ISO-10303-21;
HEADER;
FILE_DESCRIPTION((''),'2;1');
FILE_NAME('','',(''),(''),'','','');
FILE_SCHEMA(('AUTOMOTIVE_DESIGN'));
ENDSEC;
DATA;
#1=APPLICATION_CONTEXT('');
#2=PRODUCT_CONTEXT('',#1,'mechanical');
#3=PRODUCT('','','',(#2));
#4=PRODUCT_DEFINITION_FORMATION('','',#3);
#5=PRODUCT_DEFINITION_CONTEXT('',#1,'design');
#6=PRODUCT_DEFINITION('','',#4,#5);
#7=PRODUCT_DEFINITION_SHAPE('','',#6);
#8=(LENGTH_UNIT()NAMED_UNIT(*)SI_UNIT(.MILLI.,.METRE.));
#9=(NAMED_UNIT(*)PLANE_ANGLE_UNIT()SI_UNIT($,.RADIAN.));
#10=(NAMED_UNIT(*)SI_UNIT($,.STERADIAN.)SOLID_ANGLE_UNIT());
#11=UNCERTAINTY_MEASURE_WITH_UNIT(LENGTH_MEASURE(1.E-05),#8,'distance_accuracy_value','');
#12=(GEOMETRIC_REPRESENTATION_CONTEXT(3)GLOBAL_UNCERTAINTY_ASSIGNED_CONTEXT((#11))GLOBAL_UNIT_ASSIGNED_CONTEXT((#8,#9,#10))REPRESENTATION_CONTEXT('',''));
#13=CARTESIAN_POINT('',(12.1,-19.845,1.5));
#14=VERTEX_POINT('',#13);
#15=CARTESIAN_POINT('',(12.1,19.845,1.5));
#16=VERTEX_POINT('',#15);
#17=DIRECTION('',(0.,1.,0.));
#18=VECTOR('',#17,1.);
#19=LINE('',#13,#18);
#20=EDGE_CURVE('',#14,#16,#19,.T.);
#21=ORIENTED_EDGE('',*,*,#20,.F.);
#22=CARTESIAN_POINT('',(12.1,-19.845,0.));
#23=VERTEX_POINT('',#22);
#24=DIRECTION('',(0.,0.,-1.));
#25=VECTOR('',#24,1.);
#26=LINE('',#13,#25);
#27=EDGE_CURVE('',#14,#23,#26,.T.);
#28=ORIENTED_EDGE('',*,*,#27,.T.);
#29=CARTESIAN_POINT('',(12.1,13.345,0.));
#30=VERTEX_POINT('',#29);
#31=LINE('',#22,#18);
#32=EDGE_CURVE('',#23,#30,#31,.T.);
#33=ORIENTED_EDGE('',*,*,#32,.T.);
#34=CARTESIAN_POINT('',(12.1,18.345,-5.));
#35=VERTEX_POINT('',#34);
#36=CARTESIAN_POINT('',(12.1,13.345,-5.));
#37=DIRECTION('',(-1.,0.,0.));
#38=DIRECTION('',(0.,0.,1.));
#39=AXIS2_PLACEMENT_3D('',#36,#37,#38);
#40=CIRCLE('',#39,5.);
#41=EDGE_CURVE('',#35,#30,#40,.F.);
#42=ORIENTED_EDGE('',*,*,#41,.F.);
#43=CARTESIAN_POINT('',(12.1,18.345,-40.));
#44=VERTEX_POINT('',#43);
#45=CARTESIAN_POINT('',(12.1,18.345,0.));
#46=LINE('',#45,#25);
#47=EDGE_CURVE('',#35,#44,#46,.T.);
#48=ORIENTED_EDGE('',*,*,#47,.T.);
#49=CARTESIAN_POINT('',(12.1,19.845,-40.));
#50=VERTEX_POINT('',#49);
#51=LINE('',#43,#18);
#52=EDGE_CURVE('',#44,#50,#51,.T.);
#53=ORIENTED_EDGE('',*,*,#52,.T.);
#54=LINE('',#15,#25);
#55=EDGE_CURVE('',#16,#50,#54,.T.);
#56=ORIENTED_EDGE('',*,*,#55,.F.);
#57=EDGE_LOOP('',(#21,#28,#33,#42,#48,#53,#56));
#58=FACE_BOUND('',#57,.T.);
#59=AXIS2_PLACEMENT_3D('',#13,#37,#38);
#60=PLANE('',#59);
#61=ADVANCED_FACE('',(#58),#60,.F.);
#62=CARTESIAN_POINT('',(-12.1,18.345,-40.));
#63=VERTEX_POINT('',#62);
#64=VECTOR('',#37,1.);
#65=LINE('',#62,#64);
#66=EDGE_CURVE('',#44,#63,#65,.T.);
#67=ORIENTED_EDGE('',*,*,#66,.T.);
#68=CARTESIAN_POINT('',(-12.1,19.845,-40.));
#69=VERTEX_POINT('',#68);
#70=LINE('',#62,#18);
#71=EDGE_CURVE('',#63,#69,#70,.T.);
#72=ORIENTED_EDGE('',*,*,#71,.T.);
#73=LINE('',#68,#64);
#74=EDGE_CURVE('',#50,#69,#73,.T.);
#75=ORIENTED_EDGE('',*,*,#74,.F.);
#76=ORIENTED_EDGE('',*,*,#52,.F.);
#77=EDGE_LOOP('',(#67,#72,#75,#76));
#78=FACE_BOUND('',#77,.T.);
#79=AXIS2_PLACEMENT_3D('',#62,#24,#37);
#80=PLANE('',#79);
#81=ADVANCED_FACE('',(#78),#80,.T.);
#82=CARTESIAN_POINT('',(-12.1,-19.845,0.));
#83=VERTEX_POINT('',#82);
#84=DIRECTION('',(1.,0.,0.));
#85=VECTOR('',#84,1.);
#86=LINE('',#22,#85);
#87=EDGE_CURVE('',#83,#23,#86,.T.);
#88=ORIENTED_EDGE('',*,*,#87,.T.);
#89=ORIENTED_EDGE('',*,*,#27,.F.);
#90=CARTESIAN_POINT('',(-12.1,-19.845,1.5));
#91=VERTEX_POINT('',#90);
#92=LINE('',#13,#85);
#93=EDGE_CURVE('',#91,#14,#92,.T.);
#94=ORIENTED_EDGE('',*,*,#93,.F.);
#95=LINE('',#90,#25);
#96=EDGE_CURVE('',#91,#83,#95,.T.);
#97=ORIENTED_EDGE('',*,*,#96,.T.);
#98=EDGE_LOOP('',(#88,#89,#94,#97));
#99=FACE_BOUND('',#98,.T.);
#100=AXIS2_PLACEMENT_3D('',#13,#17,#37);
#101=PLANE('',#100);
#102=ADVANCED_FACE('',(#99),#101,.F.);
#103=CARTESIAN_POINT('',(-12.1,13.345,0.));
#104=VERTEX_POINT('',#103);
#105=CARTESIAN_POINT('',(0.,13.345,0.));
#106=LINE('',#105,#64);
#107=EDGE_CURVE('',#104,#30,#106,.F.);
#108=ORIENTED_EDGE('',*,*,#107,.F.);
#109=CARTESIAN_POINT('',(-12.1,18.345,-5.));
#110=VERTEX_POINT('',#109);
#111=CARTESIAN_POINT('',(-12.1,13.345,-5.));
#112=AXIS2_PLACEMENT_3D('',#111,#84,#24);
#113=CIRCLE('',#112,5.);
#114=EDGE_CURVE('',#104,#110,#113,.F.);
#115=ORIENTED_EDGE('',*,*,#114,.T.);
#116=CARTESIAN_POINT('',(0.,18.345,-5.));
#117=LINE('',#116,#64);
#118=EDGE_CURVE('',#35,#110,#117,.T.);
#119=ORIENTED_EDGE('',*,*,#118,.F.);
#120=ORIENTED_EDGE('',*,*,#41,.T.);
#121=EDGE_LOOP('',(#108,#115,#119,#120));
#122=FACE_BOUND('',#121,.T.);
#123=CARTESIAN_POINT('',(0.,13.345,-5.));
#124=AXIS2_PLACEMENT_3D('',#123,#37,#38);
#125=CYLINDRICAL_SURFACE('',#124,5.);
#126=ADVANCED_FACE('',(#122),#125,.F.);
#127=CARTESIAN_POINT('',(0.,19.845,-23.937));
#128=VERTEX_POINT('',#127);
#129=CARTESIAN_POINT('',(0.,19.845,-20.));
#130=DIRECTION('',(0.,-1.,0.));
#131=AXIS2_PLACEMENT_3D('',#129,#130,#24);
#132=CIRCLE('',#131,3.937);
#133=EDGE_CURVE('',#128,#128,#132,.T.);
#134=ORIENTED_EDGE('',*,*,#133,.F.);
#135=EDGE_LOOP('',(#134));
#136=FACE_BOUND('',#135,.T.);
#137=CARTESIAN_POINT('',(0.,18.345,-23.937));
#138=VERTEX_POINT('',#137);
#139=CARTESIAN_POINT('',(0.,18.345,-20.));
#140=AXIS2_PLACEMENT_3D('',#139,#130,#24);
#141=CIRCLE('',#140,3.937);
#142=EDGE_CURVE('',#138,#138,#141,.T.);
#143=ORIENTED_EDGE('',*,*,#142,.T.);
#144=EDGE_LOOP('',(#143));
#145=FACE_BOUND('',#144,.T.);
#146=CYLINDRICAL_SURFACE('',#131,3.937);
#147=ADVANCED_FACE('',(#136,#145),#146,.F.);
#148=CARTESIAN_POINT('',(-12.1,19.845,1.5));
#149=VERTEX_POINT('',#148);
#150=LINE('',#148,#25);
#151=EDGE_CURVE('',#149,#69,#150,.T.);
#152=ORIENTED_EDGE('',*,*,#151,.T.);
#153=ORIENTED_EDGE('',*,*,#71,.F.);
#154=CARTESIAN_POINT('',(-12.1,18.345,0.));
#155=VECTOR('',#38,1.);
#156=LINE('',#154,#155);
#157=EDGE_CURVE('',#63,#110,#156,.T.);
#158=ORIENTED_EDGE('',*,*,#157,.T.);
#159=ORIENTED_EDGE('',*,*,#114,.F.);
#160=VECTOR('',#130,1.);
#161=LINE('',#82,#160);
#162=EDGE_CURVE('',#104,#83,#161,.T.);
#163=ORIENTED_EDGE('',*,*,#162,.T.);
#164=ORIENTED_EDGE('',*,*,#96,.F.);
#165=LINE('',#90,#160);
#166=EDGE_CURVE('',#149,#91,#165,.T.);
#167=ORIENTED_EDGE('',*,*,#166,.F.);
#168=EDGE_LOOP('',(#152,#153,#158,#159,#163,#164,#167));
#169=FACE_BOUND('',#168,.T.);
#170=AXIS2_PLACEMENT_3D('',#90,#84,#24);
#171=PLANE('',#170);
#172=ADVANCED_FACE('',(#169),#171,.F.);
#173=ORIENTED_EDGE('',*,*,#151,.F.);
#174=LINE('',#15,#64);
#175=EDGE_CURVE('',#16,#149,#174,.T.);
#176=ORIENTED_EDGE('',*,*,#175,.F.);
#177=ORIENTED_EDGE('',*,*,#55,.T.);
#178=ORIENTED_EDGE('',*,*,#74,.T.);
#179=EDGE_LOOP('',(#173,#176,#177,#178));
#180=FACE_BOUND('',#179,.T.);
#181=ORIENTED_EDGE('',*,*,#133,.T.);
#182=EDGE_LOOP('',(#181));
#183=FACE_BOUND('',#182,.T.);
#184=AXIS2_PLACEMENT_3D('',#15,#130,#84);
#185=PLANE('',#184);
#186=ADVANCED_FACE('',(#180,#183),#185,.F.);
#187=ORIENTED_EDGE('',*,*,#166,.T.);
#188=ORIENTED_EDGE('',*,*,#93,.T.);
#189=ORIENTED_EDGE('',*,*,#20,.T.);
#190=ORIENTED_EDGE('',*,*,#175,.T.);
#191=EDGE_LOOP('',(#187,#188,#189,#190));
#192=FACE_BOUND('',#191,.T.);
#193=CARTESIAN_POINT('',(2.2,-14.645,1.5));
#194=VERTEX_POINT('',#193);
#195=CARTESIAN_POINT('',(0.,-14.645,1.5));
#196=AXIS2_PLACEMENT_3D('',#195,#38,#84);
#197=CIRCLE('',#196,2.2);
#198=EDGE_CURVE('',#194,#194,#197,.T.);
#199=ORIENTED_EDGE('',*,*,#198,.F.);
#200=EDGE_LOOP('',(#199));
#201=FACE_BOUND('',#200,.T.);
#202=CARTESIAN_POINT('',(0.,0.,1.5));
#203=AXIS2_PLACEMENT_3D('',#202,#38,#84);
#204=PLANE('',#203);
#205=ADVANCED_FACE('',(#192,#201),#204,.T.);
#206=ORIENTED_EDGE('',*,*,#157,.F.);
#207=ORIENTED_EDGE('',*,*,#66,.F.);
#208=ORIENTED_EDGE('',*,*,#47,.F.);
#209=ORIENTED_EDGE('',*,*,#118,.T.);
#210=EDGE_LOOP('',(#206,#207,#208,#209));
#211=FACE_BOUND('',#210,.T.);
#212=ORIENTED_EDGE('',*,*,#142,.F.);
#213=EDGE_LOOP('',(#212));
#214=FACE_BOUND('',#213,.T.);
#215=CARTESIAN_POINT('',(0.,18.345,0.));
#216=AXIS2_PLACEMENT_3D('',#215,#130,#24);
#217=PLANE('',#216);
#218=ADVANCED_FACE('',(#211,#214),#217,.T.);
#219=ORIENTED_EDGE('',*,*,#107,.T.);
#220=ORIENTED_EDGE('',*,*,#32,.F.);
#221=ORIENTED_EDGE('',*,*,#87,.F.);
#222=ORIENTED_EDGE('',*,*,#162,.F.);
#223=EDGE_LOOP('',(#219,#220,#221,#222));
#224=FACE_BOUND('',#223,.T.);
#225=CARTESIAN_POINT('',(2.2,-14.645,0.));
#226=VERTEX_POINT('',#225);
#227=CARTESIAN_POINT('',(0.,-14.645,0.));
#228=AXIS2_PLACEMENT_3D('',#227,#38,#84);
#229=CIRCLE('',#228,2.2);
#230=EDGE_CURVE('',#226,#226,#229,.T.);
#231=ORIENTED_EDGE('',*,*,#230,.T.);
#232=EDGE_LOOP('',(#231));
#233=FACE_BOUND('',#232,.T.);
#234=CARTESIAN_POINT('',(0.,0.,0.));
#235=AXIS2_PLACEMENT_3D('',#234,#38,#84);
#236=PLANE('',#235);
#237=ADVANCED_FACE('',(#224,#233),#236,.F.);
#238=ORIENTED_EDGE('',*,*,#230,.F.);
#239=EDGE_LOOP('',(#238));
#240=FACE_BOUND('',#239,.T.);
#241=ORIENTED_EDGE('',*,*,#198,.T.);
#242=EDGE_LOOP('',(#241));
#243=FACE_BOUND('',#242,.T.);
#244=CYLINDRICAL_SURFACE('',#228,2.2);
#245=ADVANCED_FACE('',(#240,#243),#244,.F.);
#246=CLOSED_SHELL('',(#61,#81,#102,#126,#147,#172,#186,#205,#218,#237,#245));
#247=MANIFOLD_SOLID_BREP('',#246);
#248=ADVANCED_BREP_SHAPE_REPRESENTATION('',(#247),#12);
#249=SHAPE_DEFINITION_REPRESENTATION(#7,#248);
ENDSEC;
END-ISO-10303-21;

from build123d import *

# Parameters (mm, degrees)
SKETCH1_W           = 24.2
SKETCH1_H           = 39.69
BOSS_EXTRUDE1_DEPTH = 1.5
SKETCH2_R           = 2.2
CUT_EXTRUDE1_DEPTH  = 24.291286461
SKETCH4_W           = 24.2
SKETCH4_H           = 40
BOSS_EXTRUDE2_DEPTH = 1.5
SKETCH5_R           = 3.937
CUT_EXTRUDE2_DEPTH  = 57.611713452
FILLET1_R           = 5


with BuildPart() as part:
    # Sketch1 → Boss-Extrude1 (new body)
    with BuildSketch(Plane.XY):
        Rectangle(SKETCH1_W, SKETCH1_H)
    extrude(amount=BOSS_EXTRUDE1_DEPTH)

    # Sketch2 → Cut-Extrude1 (cut, through all)
    with BuildSketch(Plane.XY.offset(1.5)):
        with Locations((0, -14.645)):
            Circle(SKETCH2_R)
    extrude(amount=-CUT_EXTRUDE1_DEPTH, mode=Mode.SUBTRACT)

    # Sketch4 → Boss-Extrude2 (add)
    with BuildSketch(Plane(origin=(0, 19.845, 0), x_dir=(1, 0, 0), z_dir=(0, 1, 0))):
        with Locations((0, 20)):
            Rectangle(SKETCH4_W, SKETCH4_H)
    extrude(amount=-BOSS_EXTRUDE2_DEPTH)

    # Sketch5 → Cut-Extrude2 (cut, through all)
    with BuildSketch(Plane.XZ.offset(-18.345)):
        with Locations(Location((0, -20, 0), (0, 0, 270))):
            Circle(SKETCH5_R)
    extrude(amount=-CUT_EXTRUDE2_DEPTH, mode=Mode.SUBTRACT)

    # Fillet1
    fillet1_edges = [part.edges().sort_by_distance(p)[0] for p in [
        (0, 18.345, 0),
    ]]
    fillet(fillet1_edges, radius=FILLET1_R)


solid = part.part
